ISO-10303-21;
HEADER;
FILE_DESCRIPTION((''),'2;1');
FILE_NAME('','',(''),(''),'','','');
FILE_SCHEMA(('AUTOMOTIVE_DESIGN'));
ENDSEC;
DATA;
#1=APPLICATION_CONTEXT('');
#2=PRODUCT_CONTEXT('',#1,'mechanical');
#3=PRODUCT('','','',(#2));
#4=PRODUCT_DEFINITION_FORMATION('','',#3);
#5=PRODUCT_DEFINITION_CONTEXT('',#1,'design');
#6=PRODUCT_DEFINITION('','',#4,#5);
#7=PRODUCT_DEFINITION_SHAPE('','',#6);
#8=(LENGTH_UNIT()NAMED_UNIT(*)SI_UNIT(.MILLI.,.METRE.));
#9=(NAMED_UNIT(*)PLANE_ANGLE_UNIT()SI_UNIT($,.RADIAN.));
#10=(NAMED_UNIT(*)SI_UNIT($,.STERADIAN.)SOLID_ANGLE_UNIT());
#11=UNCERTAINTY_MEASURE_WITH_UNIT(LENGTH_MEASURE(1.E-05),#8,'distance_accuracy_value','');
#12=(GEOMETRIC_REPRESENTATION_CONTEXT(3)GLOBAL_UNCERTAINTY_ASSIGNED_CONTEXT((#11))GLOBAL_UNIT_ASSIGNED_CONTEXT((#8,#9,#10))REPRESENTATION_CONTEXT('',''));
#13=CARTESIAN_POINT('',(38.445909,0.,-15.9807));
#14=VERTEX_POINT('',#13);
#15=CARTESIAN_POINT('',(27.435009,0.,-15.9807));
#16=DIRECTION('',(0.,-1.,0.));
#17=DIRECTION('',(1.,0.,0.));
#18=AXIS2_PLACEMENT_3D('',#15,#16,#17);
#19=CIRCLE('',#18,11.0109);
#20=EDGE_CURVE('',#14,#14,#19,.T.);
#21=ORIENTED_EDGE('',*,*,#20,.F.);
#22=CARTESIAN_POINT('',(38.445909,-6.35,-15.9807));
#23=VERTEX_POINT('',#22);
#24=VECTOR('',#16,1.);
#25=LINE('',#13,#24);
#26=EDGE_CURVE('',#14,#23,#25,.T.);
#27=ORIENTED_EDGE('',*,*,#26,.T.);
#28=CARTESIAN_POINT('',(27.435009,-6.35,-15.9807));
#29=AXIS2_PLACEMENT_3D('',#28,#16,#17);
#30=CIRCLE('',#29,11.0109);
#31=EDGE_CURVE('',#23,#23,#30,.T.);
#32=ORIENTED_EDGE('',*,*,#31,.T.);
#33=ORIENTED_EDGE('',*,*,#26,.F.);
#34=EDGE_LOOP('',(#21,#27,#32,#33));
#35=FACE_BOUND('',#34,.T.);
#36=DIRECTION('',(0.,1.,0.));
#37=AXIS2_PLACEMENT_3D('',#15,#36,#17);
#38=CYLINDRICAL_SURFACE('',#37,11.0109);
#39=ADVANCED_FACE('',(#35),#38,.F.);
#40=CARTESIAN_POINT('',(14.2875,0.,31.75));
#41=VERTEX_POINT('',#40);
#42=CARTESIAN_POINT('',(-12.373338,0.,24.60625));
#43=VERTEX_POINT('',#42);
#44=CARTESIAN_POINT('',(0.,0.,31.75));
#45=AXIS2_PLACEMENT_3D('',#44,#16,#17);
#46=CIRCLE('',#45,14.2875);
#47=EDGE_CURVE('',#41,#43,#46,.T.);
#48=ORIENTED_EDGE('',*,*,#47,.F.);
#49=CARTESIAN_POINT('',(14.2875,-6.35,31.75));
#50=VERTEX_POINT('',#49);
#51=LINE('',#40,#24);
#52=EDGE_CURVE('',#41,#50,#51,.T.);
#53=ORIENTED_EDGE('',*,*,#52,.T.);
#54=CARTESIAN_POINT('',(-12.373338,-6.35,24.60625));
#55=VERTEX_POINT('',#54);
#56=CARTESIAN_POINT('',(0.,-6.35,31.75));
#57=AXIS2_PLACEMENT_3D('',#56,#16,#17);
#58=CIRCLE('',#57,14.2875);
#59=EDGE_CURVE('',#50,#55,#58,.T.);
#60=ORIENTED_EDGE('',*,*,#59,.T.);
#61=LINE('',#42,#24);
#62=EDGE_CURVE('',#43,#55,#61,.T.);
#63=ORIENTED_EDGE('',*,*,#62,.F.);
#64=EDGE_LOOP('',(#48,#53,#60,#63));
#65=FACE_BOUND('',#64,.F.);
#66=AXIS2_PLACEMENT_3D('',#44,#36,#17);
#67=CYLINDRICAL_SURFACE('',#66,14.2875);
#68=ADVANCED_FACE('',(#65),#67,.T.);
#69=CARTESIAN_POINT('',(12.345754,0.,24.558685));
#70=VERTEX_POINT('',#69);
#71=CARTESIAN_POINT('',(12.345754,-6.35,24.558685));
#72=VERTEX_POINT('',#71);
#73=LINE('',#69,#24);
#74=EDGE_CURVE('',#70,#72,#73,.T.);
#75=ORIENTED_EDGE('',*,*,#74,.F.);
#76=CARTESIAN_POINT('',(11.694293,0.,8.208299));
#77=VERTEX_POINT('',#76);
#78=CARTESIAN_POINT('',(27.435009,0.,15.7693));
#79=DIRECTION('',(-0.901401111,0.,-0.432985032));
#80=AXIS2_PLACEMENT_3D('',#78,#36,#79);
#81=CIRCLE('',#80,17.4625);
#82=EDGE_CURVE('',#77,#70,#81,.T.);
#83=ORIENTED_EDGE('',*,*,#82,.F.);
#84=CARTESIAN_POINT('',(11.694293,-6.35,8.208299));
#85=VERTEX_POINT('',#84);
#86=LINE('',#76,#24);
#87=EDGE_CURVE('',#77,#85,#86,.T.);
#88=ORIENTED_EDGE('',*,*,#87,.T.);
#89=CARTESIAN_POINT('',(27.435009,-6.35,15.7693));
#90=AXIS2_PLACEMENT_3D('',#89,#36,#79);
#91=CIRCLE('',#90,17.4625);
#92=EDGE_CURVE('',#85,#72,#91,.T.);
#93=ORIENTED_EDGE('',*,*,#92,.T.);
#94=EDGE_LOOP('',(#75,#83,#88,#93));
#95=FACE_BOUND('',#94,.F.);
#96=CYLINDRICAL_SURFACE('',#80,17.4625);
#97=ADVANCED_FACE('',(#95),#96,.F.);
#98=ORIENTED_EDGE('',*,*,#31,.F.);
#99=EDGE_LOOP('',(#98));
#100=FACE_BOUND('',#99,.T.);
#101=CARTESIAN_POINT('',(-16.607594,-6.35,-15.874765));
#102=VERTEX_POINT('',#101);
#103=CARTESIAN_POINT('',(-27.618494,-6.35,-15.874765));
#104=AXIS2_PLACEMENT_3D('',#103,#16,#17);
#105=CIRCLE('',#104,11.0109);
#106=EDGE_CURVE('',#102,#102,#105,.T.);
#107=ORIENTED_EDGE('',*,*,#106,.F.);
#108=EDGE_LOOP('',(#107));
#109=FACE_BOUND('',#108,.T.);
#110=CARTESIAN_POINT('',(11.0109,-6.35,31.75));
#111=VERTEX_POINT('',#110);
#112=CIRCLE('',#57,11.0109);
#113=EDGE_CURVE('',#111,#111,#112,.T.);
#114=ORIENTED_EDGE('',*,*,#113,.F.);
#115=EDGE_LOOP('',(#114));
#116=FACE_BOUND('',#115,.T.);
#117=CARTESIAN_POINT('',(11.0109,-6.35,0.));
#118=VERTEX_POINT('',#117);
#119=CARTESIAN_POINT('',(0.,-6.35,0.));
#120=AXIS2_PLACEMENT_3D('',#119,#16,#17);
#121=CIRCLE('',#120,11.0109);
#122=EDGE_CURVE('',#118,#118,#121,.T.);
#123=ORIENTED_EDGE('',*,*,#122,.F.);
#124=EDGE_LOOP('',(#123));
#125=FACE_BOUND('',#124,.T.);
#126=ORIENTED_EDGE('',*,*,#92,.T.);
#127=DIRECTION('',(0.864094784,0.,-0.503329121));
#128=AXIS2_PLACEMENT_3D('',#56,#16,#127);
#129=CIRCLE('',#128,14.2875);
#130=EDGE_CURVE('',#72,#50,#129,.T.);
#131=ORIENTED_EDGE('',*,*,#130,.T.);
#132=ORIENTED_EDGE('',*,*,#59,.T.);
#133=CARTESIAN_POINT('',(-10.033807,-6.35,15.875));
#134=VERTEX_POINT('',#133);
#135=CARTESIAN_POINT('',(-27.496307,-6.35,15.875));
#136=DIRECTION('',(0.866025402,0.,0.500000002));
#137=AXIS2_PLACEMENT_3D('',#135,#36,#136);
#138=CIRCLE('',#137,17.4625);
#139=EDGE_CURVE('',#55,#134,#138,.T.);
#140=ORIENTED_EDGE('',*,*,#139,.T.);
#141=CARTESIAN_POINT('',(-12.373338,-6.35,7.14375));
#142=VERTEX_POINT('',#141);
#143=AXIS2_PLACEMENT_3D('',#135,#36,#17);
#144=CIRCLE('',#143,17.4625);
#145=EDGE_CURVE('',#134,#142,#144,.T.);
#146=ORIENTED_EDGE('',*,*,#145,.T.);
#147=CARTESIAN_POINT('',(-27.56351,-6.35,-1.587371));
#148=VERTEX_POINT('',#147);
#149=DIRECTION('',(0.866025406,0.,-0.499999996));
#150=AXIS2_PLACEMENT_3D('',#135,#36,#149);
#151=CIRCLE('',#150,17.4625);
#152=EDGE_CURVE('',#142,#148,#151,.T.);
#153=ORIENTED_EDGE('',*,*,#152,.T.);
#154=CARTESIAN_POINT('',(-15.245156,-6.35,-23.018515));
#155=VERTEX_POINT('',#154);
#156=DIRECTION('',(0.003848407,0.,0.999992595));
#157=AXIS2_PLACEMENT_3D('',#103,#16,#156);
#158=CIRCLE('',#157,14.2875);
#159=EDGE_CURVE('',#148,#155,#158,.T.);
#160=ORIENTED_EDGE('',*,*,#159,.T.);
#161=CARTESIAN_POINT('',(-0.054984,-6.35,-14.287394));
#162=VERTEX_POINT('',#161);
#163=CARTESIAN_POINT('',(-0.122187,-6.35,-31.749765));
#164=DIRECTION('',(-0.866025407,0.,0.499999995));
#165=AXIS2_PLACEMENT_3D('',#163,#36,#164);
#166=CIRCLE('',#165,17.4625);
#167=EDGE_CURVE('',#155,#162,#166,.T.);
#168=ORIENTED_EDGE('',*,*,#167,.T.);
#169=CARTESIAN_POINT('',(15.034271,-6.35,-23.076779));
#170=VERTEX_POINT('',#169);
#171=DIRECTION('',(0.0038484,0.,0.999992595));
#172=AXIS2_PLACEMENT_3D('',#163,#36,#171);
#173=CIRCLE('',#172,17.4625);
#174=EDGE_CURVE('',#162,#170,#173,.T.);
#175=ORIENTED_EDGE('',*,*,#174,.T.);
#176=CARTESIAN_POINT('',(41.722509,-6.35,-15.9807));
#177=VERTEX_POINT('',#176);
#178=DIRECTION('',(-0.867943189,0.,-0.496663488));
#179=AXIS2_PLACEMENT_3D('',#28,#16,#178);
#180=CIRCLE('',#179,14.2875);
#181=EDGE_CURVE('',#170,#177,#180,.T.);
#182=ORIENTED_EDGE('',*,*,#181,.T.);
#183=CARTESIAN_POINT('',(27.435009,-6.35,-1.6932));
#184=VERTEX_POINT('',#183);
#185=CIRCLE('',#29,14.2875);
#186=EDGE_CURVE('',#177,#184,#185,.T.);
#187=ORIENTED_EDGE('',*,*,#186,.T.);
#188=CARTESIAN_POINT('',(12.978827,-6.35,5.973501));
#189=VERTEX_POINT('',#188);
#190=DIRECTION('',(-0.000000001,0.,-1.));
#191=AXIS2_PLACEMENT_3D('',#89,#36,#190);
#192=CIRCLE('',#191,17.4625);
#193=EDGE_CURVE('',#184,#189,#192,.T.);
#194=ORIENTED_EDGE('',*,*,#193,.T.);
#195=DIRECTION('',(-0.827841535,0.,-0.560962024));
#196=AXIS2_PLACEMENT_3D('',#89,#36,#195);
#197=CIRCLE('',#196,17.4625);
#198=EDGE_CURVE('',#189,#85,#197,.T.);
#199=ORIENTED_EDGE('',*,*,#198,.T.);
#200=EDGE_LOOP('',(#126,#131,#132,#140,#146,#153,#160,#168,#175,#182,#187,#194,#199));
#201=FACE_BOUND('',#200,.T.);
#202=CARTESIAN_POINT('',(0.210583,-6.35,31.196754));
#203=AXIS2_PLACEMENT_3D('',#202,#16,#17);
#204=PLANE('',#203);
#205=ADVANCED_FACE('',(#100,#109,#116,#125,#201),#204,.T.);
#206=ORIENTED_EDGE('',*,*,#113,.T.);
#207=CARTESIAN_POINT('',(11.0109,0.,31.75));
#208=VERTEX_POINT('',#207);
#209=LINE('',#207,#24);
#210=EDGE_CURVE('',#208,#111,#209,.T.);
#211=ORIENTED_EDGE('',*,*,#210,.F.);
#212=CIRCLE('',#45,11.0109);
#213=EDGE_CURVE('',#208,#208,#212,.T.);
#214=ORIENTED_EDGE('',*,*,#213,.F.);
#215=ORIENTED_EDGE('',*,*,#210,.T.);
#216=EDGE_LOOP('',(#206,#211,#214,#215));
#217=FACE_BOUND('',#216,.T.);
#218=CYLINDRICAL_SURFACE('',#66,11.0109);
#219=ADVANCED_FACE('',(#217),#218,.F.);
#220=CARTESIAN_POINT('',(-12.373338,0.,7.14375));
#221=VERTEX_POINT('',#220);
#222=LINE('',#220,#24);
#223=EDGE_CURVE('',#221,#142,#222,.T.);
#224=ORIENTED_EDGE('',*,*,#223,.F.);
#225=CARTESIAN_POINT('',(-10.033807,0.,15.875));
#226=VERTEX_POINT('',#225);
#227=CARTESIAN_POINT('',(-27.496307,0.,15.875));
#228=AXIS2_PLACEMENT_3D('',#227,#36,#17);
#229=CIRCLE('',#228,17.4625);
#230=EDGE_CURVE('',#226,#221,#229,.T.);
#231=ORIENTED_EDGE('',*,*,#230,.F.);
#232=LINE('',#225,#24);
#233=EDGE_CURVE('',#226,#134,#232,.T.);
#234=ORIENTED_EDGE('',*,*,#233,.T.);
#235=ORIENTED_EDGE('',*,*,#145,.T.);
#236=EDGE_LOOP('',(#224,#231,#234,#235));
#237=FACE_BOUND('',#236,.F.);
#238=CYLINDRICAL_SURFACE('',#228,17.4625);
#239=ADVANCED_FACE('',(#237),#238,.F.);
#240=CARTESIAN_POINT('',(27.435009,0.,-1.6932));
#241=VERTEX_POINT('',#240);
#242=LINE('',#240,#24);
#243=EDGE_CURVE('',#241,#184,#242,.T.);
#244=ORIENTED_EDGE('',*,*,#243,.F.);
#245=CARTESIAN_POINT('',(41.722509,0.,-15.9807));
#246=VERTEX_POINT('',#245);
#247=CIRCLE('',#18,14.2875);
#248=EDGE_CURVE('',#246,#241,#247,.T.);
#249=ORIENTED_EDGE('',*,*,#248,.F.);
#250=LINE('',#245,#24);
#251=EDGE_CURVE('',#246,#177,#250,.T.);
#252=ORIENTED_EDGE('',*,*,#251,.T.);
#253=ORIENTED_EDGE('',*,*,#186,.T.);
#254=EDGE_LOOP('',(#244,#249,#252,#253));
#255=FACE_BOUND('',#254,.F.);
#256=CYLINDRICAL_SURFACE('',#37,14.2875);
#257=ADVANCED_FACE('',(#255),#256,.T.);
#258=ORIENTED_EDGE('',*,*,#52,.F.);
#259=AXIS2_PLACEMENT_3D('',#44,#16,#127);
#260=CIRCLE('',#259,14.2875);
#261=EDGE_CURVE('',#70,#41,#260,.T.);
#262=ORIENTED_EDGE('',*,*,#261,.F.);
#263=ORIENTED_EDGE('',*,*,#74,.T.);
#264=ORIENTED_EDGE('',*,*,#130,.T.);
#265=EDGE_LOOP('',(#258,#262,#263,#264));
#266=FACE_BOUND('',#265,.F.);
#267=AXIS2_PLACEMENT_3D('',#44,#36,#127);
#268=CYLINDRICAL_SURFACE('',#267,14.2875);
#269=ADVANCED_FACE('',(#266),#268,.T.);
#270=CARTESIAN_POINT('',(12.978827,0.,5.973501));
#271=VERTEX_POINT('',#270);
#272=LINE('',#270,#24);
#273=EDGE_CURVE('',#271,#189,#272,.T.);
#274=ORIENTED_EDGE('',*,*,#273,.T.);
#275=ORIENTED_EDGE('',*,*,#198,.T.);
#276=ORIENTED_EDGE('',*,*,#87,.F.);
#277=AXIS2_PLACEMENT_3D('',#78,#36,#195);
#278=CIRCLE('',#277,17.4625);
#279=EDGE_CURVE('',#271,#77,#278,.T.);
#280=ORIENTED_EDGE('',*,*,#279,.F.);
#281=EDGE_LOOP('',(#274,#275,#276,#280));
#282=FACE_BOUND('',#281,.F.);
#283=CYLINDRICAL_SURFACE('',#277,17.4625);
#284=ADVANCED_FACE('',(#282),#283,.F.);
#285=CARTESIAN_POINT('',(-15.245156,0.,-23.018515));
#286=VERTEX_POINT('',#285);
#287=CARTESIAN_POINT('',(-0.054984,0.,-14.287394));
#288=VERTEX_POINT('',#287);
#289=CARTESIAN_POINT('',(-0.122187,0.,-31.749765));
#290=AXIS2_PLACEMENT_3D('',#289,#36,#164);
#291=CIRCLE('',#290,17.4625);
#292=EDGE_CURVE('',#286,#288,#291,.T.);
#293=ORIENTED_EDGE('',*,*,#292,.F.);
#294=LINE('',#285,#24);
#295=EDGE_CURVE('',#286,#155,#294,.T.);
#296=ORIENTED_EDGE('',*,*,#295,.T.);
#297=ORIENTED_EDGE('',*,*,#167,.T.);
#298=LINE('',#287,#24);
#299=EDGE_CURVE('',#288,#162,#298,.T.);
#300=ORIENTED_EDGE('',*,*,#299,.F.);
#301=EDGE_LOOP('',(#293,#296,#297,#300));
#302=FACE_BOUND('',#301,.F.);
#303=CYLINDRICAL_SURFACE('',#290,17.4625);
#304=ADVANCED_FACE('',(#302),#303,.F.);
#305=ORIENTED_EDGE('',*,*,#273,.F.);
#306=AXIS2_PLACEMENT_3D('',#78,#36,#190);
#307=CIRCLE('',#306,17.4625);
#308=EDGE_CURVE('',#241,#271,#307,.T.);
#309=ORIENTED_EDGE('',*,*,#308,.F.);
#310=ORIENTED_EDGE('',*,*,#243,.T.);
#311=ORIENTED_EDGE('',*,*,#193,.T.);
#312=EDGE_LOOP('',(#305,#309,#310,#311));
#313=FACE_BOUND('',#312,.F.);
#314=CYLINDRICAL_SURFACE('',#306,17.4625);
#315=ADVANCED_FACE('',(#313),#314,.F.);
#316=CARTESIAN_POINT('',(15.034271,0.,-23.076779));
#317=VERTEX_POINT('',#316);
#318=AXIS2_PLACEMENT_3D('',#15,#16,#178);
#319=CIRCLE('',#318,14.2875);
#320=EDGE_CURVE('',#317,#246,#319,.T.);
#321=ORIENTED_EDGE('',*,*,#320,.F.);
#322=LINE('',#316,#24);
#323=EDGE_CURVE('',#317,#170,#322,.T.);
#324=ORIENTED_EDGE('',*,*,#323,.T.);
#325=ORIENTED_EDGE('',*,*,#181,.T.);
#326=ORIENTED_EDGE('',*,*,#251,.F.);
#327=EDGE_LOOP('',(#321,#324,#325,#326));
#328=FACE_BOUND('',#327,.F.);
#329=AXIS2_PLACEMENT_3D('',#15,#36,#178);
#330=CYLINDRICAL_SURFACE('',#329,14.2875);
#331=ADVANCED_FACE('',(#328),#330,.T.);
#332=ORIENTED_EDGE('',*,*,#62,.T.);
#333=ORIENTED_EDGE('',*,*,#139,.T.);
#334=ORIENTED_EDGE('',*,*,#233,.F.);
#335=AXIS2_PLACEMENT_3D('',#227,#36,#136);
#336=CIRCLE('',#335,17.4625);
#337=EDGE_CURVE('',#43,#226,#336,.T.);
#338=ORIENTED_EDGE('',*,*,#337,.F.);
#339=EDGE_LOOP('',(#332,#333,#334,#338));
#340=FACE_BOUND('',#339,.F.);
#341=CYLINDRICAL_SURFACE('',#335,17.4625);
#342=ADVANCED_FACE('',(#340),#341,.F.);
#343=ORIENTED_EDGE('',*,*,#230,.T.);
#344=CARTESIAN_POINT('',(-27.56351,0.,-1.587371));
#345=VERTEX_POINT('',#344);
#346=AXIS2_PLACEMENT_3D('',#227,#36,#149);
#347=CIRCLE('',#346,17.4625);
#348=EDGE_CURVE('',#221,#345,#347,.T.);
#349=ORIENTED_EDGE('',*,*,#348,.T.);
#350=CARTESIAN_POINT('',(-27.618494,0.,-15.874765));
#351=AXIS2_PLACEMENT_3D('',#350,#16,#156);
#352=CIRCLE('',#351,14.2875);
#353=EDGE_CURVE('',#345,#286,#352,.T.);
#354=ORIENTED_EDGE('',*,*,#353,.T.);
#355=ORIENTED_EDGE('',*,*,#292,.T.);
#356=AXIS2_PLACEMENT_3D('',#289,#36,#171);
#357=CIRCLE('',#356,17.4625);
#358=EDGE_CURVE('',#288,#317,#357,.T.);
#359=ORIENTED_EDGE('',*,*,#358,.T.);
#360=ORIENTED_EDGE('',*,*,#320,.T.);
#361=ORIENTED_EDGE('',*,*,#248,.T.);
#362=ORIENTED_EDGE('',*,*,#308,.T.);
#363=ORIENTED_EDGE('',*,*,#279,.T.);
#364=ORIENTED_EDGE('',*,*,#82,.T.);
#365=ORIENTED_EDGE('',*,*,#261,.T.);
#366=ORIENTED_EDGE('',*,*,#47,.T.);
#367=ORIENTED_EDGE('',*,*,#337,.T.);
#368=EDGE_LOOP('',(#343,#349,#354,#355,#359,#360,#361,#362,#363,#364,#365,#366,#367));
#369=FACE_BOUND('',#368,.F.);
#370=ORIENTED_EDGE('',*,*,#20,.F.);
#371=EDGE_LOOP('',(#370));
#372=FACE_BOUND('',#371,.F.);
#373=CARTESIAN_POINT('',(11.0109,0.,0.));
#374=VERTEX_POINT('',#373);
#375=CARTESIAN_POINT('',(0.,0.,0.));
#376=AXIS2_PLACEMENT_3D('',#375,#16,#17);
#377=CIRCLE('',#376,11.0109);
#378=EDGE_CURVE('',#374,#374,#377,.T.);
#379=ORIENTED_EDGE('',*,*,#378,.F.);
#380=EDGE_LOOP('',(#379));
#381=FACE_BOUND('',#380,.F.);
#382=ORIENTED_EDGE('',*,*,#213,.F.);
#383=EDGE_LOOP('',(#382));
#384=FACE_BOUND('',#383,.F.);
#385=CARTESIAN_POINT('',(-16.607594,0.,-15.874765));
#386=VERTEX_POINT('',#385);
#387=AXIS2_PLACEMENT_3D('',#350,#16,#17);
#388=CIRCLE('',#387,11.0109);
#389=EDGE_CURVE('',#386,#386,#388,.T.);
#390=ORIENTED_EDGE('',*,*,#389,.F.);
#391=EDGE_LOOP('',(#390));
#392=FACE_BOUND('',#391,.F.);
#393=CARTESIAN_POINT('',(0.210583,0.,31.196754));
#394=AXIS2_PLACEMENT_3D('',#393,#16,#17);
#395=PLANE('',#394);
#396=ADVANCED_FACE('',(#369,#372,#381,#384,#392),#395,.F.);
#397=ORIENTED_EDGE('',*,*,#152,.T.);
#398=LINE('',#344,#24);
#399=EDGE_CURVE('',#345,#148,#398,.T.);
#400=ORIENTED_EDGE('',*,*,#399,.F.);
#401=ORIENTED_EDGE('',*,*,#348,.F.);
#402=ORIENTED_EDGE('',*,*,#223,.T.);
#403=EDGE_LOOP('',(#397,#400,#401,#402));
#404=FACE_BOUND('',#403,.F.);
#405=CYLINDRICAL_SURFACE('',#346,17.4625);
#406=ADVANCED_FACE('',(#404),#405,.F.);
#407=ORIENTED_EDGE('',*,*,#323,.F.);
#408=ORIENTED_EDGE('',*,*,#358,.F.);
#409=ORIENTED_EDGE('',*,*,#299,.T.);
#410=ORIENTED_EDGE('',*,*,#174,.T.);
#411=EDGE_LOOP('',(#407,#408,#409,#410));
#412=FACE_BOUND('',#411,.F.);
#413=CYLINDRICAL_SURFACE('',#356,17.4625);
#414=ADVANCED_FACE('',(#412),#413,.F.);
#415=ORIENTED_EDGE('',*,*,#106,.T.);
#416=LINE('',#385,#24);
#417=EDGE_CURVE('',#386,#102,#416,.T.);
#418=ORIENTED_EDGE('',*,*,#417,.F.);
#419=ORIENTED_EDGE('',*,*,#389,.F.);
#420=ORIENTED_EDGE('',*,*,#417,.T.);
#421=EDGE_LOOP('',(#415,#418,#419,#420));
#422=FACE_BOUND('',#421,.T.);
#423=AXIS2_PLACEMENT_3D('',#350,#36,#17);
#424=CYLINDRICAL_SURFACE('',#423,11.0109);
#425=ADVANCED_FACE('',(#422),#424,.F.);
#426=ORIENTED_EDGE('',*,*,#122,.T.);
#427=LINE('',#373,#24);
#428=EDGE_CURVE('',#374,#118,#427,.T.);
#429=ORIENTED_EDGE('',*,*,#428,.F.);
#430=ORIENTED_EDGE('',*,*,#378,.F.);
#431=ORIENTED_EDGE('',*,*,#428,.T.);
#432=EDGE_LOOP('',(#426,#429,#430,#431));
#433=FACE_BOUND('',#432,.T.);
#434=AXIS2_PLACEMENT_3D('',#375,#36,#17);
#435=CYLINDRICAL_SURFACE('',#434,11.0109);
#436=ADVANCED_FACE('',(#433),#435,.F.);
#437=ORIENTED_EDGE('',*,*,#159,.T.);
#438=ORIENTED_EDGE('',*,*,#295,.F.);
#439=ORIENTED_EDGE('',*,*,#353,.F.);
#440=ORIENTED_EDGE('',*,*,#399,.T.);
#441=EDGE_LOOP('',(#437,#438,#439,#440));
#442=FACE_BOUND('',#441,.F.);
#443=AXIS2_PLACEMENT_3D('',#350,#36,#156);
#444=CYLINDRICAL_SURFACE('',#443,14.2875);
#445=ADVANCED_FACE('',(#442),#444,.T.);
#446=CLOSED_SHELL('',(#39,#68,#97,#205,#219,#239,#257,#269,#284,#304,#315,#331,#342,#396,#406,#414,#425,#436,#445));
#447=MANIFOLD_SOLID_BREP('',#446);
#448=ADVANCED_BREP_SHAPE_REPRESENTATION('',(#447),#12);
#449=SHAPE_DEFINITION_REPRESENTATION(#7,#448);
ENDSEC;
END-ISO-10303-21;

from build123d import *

# Parameters (mm, degrees)
F0_R     = 11.0109
F1_DEPTH = 6.35


with BuildPart() as f1:
    # F0 (on Front) → F1 (new body)
    with BuildSketch(Plane.XZ):
        with BuildLine():
            ThreePointArc((-12.3733379796, 24.6062500399), (-0.0274921787, 17.4625264504), (12.3457542252, 24.5586851785))
            ThreePointArc((12.3457542252, 24.5586851785), (13.7935242005, 28.0255743558), (14.2875, 31.75))
            ThreePointArc((14.2875, 31.75), (-3.6978770846, 45.5506652491), (-12.3733379796, 24.6062500399))
        make_face()
        with Locations((0, 31.75)):
            Circle(F0_R, mode=Mode.SUBTRACT)
        with BuildLine():
            ThreePointArc((-12.3733379176, 7.1437500675), (-0.6313413892, 14.2735442095), (11.6942925407, 8.2082993502))
            ThreePointArc((11.6942925407, 8.2082993502), (9.9863540663, 16.4645214005), (12.3457542252, 24.5586851785))
            ThreePointArc((12.3457542252, 24.5586851785), (-0.0274921787, 17.4625264504), (-12.3733379796, 24.6062500399))
            ThreePointArc((-12.3733379796, 24.6062500399), (-10.6288268346, 20.3946275974), (-10.0338065702, 15.875))
            ThreePointArc((-10.0338065702, 15.875), (-10.6288268185, 11.3553724626), (-12.3733379176, 7.1437500675))
        make_face()
        with BuildLine():
            ThreePointArc((-0.0549843517, -14.2873941981), (10.0833294929, -10.1222093728), (14.2875, 0))
            ThreePointArc((14.2875, 0), (13.9564974416, 3.057586534), (12.9788266264, 5.9735011218))
            ThreePointArc((12.9788266264, 5.9735011218), (12.2952680668, 7.0671663883), (11.6942925407, 8.2082993502))
            ThreePointArc((11.6942925407, 8.2082993502), (-0.6313413892, 14.2735442095), (-12.3733379176, 7.1437500675))
            ThreePointArc((-12.3733379176, 7.1437500675), (-12.3870611826, -7.1199277742), (-0.0549843517, -14.2873941981))
        make_face()
        Circle(F0_R, mode=Mode.SUBTRACT)
        with BuildLine():
            ThreePointArc((-15.2451557121, -23.0185149788), (-8.8243212537, -16.6100235917), (-0.0549843517, -14.2873941981))
            ThreePointArc((-0.0549843517, -14.2873941981), (-12.3870611826, -7.1199277742), (-12.3733379176, 7.1437500675))
            ThreePointArc((-12.3733379176, 7.1437500675), (-18.7941724786, 0.7352586382), (-27.5635095047, -1.5873706872))
            ThreePointArc((-27.5635095047, -1.5873706872), (-17.4962843274, -5.7914353078), (-13.3309936151, -15.8747648862))
            ThreePointArc((-13.3309936151, -15.8747648862), (-13.8178283859, -19.5726420447), (-15.2451557121, -23.0185149788))
        make_face()
        with BuildLine():
            ThreePointArc((-27.5635095047, -1.5873706872), (-40.0055547448, -22.9946927523), (-15.2451557121, -23.0185149788))
            ThreePointArc((-15.2451557121, -23.0185149788), (-13.8178283859, -19.5726420447), (-13.3309936151, -15.8747648862))
            ThreePointArc((-13.3309936151, -15.8747648862), (-17.4962843274, -5.7914353078), (-27.5635095047, -1.5873706872))
        make_face()
        with Locations((-27.6184936151, -15.8747648862)):
            Circle(F0_R, mode=Mode.SUBTRACT)
        with BuildLine():
            ThreePointArc((12.9788266264, 5.9735011218), (13.9564974416, 3.057586534), (14.2875, 0))
            ThreePointArc((14.2875, 0), (10.0833294929, -10.1222093728), (-0.0549843517, -14.2873941981))
            ThreePointArc((-0.0549843517, -14.2873941981), (8.6671977023, -16.6605097019), (15.034271116, -23.0767791104))
            ThreePointArc((15.034271116, -23.0767791104), (15.0754403986, -8.8131539558), (27.4350094206, -1.693199528))
            ThreePointArc((27.4350094206, -1.693199528), (19.2533298904, 0.3420834154), (12.9788266264, 5.9735011218))
        make_face()
        with BuildLine():
            ThreePointArc((41.7225094331, -15.980699528), (37.5377975649, -5.8779113874), (27.4350094206, -1.693199528))
            ThreePointArc((27.4350094206, -1.693199528), (15.0754403986, -8.8131539558), (15.034271116, -23.0767791104))
            ThreePointArc((15.034271116, -23.0767791104), (31.1063244253, -29.7884546851), (41.7225094331, -15.980699528))
        make_face()
        with Locations((27.4350094331, -15.980699528)):
            Circle(F0_R, mode=Mode.SUBTRACT)
    extrude(amount=F1_DEPTH)


solid = f1.part
